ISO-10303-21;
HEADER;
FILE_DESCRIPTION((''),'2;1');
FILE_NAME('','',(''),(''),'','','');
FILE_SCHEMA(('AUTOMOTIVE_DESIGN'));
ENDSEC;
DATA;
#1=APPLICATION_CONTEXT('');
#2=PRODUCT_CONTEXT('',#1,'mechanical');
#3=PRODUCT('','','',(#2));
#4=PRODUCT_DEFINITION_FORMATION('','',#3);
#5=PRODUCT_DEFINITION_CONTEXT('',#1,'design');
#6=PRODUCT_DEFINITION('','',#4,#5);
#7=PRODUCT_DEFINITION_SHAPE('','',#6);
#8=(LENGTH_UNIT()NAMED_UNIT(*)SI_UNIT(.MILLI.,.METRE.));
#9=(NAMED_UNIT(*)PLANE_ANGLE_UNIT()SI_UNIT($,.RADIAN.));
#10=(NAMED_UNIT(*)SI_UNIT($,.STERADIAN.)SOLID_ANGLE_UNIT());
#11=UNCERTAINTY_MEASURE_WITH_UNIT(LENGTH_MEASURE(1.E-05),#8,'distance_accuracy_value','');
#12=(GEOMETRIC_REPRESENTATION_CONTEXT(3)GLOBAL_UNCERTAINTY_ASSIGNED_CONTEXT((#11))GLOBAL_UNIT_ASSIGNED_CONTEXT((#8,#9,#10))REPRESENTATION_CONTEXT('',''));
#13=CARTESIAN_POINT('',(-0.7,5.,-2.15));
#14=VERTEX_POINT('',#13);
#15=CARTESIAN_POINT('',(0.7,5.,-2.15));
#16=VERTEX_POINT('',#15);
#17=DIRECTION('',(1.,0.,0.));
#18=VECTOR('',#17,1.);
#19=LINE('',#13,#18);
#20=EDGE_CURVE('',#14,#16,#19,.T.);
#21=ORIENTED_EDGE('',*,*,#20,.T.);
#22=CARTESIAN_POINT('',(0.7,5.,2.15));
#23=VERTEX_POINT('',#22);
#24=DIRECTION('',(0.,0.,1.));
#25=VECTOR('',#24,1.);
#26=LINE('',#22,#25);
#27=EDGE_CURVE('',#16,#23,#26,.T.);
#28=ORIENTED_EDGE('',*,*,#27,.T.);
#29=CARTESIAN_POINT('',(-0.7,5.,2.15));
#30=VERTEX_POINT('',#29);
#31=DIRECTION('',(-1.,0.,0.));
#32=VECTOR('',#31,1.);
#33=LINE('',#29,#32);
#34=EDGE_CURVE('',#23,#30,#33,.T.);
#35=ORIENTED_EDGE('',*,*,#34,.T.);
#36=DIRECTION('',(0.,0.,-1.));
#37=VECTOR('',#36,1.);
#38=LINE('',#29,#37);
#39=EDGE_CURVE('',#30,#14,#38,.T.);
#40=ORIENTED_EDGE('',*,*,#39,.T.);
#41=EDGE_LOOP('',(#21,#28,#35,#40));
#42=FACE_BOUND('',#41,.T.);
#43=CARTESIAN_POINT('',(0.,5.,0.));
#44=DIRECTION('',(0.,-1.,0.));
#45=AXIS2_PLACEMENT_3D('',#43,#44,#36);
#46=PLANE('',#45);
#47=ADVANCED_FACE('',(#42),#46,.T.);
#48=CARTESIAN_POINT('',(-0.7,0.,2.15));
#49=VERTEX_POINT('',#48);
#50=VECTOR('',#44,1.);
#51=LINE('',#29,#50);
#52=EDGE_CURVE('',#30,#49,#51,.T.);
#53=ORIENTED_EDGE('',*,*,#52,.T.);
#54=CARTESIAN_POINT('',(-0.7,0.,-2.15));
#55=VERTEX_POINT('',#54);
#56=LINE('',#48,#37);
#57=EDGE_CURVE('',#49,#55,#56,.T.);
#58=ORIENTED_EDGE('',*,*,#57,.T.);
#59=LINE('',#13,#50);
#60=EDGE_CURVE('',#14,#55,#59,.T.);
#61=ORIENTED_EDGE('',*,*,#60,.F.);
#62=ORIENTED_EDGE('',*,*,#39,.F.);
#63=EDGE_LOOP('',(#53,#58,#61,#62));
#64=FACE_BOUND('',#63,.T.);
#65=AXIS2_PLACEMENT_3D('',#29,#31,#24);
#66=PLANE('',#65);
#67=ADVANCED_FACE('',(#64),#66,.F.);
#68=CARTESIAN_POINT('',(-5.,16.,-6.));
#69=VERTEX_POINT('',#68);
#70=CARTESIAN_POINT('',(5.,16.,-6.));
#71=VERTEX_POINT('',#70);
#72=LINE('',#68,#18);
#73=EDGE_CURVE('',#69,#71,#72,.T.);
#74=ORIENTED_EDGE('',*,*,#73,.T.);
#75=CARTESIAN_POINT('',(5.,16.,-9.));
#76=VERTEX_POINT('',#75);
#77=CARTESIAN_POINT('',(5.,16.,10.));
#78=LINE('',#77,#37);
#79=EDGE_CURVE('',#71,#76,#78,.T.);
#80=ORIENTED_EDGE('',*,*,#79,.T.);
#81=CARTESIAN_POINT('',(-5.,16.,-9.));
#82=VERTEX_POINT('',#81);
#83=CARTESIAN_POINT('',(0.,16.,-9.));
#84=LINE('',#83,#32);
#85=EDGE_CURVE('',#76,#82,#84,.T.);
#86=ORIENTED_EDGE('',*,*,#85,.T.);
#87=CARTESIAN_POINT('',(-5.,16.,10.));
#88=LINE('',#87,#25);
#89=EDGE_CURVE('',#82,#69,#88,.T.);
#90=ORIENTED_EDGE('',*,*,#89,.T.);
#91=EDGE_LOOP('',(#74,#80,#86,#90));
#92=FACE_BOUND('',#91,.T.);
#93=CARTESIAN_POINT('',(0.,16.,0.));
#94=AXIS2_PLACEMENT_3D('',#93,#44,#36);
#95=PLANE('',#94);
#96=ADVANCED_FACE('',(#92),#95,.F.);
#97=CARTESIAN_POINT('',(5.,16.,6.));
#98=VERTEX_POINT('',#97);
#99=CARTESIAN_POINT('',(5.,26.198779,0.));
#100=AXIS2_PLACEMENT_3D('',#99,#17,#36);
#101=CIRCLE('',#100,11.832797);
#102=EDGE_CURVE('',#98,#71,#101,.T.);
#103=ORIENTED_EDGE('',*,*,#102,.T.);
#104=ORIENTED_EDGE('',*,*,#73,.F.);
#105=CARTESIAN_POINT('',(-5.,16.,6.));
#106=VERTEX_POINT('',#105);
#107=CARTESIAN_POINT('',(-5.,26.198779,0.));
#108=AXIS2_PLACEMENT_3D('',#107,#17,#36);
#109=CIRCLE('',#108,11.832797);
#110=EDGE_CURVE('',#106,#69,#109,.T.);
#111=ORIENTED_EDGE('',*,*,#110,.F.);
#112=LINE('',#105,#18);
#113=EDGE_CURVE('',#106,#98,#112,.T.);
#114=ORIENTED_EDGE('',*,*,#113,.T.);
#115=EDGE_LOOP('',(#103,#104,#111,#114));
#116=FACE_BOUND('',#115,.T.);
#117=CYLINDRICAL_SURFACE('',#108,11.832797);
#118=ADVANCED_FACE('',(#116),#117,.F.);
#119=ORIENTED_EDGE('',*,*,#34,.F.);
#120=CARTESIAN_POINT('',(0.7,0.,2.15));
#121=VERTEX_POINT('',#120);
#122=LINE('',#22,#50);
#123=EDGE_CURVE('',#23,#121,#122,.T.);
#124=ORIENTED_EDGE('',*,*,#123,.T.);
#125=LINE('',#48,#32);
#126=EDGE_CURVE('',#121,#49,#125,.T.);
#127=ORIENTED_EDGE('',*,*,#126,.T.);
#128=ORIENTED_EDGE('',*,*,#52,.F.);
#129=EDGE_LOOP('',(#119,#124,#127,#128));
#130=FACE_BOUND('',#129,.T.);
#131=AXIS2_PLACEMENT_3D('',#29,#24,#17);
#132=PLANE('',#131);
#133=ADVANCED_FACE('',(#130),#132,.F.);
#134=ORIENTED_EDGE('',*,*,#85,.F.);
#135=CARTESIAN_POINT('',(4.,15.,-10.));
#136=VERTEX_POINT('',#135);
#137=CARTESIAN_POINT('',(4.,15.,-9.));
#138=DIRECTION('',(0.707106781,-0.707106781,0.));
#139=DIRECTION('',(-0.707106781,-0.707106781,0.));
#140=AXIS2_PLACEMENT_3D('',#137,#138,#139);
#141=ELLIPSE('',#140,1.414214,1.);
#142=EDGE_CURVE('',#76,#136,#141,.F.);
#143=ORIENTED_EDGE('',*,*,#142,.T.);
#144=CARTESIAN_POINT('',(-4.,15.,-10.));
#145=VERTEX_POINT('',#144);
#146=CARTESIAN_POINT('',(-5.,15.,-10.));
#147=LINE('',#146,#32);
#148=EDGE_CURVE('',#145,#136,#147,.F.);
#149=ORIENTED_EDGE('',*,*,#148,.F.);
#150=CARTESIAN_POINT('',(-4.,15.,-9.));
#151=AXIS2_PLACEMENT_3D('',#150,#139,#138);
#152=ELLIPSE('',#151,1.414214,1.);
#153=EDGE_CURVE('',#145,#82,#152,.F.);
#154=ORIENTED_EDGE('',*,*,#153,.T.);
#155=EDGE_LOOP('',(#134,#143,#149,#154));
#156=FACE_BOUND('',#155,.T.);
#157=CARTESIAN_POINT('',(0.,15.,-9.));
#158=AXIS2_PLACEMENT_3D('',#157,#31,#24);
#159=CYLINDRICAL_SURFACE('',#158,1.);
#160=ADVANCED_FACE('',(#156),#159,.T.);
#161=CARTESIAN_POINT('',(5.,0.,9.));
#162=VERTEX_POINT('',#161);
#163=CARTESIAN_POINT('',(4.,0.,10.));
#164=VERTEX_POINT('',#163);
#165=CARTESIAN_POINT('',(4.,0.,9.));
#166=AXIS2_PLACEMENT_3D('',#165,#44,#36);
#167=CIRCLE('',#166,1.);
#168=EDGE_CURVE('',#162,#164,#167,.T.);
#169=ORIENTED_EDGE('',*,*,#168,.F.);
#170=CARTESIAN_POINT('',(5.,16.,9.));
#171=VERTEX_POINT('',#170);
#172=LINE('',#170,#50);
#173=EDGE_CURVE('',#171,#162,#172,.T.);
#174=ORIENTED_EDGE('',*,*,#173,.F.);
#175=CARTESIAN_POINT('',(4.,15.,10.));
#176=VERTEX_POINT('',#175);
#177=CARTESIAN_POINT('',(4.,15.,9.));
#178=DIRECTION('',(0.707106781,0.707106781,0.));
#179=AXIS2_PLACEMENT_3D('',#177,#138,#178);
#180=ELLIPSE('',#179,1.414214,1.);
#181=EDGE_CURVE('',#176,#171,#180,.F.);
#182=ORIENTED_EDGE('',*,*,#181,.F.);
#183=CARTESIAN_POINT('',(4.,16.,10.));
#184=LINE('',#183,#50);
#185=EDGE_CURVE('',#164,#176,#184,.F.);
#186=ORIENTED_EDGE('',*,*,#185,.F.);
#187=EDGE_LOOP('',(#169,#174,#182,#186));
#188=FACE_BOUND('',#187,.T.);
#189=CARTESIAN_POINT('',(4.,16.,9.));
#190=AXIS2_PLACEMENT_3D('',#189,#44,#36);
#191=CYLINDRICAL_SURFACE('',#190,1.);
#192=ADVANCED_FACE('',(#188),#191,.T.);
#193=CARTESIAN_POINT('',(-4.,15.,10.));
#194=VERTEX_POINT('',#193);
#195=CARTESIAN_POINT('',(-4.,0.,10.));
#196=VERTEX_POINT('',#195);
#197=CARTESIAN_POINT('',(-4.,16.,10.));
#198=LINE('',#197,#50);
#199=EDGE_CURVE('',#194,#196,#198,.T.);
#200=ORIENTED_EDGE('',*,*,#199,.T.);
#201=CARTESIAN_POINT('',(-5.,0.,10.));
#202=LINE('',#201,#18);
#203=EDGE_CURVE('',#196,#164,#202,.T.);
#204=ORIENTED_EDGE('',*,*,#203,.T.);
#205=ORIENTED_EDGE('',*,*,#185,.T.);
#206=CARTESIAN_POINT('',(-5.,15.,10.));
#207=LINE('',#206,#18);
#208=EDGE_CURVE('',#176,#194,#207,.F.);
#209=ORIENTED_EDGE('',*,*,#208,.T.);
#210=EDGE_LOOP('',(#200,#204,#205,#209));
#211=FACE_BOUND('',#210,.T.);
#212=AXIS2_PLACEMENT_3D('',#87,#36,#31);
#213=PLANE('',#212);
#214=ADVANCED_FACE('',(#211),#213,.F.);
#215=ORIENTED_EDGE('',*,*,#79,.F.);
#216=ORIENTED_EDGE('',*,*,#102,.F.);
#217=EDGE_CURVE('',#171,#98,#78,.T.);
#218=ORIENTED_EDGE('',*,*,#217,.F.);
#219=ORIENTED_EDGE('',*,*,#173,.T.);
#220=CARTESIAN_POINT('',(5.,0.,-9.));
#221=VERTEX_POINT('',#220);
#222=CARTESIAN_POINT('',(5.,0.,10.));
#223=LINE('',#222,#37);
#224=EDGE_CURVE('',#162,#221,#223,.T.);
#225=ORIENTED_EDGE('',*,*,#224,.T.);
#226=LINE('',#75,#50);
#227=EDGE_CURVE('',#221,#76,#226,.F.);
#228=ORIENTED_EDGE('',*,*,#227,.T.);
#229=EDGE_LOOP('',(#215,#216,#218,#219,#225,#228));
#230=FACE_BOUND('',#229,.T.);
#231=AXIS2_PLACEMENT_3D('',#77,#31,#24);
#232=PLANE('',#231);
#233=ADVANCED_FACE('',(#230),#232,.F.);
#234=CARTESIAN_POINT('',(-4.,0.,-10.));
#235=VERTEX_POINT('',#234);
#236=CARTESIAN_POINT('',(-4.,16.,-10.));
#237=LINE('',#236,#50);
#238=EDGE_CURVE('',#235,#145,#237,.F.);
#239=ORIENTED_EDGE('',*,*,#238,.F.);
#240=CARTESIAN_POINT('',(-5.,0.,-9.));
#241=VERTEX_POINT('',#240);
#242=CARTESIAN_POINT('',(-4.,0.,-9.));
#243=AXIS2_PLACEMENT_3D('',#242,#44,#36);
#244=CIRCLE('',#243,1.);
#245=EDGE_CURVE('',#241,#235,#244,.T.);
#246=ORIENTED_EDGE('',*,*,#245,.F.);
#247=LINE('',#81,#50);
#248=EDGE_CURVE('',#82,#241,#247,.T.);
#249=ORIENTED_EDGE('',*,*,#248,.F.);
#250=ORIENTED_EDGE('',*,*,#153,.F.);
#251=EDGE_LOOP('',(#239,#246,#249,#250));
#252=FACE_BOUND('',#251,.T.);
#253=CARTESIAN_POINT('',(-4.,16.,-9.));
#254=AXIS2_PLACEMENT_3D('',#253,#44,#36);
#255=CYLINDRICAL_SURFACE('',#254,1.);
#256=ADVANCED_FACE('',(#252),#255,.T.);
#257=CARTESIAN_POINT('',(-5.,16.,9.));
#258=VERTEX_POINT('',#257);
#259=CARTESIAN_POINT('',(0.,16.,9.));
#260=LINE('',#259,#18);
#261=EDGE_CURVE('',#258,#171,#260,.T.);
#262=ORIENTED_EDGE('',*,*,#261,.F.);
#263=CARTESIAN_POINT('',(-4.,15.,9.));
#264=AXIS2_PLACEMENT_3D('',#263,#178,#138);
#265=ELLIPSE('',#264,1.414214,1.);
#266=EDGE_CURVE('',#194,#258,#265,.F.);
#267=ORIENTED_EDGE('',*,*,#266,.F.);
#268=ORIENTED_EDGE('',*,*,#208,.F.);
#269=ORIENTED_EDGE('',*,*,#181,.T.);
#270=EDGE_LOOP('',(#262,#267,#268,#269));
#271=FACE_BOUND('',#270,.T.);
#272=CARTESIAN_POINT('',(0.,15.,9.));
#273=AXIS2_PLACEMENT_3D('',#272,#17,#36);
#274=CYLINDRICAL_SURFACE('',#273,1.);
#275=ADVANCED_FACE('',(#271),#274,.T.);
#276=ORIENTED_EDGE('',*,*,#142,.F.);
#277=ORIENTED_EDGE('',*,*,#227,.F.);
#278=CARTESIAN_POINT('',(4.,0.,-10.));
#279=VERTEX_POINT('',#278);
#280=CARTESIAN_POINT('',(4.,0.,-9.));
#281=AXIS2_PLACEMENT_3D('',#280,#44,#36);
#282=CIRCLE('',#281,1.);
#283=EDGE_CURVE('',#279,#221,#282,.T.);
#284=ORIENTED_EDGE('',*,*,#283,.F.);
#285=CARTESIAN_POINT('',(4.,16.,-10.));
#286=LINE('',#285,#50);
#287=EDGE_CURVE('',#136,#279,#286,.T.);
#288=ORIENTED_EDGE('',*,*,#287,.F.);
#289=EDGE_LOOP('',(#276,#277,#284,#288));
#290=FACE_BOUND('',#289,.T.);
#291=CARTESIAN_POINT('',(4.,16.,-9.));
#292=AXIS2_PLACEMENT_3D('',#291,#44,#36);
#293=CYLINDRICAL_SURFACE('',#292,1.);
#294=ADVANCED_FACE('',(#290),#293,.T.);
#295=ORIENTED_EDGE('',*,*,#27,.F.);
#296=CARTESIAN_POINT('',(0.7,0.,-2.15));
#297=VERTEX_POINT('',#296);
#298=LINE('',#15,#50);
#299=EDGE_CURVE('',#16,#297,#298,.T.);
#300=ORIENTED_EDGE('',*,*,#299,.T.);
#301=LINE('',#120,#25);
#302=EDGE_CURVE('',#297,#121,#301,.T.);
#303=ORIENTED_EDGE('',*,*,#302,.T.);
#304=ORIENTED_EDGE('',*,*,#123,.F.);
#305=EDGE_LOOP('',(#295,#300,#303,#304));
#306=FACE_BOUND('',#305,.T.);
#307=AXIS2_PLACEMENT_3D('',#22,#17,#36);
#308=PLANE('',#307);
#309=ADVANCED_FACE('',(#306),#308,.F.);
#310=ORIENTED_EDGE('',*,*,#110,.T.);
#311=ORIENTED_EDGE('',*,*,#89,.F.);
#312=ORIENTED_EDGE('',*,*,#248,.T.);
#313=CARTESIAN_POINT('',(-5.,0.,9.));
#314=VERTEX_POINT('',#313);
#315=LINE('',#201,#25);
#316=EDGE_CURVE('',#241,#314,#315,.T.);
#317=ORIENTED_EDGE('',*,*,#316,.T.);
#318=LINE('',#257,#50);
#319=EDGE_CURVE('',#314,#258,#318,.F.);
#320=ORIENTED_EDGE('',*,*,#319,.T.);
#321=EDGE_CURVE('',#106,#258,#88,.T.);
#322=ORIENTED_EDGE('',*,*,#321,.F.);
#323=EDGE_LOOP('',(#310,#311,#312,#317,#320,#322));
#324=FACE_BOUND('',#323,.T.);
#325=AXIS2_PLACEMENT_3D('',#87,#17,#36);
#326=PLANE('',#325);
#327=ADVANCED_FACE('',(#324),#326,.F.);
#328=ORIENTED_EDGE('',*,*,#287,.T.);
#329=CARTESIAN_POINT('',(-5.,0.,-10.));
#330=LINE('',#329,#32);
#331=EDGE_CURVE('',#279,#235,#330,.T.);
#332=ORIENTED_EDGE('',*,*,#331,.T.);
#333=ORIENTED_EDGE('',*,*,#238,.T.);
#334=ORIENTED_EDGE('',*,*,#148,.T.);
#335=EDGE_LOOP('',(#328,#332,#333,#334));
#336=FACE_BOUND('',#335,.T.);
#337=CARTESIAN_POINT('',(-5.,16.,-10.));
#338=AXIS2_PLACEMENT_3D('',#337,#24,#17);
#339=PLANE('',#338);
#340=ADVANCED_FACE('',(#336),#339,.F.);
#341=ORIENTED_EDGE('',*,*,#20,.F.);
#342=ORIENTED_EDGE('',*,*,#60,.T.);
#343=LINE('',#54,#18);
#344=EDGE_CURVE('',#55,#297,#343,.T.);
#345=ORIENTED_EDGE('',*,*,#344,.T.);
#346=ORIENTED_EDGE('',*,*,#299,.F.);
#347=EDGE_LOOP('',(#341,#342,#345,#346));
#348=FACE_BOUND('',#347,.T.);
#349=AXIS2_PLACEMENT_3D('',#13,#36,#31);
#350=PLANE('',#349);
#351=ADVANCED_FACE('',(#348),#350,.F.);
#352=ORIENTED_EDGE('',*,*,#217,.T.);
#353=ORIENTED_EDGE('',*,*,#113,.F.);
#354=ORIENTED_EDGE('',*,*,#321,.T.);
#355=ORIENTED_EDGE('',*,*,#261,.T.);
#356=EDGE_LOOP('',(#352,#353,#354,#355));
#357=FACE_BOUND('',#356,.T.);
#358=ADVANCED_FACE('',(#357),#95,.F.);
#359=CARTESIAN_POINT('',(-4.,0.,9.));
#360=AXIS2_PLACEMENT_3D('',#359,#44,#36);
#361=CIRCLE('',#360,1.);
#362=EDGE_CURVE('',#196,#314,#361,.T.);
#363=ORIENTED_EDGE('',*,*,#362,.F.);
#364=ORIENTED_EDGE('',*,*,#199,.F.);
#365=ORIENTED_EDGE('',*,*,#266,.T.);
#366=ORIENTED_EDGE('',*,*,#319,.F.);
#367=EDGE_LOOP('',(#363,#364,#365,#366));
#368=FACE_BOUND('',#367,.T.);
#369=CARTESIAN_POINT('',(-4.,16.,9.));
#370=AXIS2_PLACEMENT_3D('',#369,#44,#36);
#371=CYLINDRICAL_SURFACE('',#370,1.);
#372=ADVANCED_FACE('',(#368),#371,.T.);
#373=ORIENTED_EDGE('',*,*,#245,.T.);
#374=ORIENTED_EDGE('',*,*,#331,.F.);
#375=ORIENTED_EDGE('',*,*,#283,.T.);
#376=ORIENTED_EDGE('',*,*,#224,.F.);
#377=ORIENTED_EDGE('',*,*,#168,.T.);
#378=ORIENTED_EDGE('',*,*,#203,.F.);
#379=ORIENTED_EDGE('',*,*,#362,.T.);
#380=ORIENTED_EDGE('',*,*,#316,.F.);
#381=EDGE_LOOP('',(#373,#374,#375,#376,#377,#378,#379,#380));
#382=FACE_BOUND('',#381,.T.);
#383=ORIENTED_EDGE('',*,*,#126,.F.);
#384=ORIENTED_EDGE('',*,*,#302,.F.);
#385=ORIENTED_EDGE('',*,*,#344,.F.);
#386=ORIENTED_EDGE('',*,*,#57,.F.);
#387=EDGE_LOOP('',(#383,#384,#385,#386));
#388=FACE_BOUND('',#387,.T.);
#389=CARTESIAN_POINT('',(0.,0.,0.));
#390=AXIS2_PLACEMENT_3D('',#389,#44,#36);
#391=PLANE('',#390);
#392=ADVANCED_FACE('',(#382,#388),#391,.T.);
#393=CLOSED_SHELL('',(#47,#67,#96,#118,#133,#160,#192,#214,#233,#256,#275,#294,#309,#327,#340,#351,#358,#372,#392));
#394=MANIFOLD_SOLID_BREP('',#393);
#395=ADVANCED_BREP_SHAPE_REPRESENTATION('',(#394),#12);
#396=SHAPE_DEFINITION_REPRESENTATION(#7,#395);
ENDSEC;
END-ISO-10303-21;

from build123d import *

# Parameters (mm, degrees)
SKETCH1_W           = 10
SKETCH1_H           = 20
BOSS_EXTRUDE1_DEPTH = 16
SKETCH2_W           = 1.4
SKETCH2_H           = 4.3
CUT_EXTRUDE1_DEPTH  = 5
CUT_EXTRUDE2_DEPTH  = 10
FILLET2_R           = 1


with BuildPart() as part:
    # Sketch1 → Boss-Extrude1 (new body)
    with BuildSketch(Plane(origin=(0, 0, 0), x_dir=(1, 0, 0), z_dir=(0, 1, 0))):
        Rectangle(SKETCH1_W, SKETCH1_H)
    extrude(amount=BOSS_EXTRUDE1_DEPTH)

    # Sketch2 → Cut-Extrude1 (cut)
    with BuildSketch(Plane.XZ):
        Rectangle(SKETCH2_W, SKETCH2_H)
    extrude(amount=-CUT_EXTRUDE1_DEPTH, mode=Mode.SUBTRACT)

    # Sketch6 → Cut-Extrude2 (cut)
    with BuildSketch(Plane(origin=(5, 0, 0), x_dir=(0, 0, -1), z_dir=(1, 0, 0))):
        with BuildLine():
            Line((-6, 16), (6, 16))
            ThreePointArc((6, 16), (0, 14.36598161), (-6, 16))
        make_face()
    extrude(amount=-CUT_EXTRUDE2_DEPTH, mode=Mode.SUBTRACT)

    # Fillet2
    fillet2_edges = [part.edges().sort_by_distance(p)[0] for p in [
        (0, 16, 10),
        (5, 8, 10),
        (-5, 8, 10),
        (-5, 8, -10),
        (5, 8, -10),
        (0, 16, -10),
    ]]
    fillet(fillet2_edges, radius=FILLET2_R)


solid = part.part
